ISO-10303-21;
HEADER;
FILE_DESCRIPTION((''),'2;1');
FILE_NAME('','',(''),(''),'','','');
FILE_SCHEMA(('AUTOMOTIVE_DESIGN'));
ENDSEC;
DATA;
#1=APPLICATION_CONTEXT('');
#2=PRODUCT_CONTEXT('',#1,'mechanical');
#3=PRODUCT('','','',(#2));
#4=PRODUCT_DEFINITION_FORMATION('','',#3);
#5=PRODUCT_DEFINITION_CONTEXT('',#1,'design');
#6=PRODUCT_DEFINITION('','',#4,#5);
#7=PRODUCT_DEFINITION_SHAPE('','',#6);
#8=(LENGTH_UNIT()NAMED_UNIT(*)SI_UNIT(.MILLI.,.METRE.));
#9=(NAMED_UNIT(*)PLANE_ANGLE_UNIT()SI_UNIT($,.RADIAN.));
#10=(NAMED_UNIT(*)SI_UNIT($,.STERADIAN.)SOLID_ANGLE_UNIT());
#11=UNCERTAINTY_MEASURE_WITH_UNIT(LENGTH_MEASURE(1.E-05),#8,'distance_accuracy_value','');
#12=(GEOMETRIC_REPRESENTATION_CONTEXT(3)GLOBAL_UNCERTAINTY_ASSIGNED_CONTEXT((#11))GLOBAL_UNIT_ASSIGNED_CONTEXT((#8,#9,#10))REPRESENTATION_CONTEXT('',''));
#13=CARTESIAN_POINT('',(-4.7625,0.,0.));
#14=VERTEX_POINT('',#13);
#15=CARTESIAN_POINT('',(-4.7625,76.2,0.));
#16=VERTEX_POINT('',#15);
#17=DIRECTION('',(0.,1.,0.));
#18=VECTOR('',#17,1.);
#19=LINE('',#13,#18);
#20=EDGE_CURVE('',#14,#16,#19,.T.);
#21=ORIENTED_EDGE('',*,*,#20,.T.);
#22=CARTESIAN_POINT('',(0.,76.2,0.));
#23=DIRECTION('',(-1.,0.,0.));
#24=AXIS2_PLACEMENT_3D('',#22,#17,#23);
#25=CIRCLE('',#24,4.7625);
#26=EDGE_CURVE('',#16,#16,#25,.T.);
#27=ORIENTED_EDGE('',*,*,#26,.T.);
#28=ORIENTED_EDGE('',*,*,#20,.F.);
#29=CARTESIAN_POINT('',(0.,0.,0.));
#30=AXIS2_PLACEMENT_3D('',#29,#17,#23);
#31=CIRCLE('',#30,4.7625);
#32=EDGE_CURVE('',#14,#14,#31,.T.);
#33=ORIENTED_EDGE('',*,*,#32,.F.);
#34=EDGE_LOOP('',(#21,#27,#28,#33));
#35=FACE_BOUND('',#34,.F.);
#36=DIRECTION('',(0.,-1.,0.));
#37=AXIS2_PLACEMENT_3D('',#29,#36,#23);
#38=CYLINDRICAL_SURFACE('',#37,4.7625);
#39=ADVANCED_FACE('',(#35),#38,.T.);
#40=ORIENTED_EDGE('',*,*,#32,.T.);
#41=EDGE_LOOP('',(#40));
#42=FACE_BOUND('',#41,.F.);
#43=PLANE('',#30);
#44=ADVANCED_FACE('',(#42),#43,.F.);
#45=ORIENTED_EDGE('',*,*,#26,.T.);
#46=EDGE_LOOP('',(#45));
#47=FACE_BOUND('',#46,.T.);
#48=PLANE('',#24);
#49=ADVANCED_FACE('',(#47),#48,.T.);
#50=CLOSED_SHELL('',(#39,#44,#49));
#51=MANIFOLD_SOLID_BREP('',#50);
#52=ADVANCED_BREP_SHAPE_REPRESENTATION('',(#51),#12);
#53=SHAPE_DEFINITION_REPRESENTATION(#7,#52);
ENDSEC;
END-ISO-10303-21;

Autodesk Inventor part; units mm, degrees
ref_plane "YZ Plane" through (0, 0, 0) normal (1, 0, 0) x (0, 1, 0)
ref_plane "XZ Plane" through (0, 0, 0) normal (0, 1, 0) x (-1, 0, 0)
ref_plane "XY Plane" through (0, 0, 0) normal (0, 0, 1) x (1, 0, 0)
sketch "Sketch1" plane through (0, 0, 0) normal (0, 1, 0) x (-1, 0, 0)
  circle A0 centre (0, 0) radius 4.7625
  dimension "d0" = 9.525
extrude "Extrusion1" add sketch "Sketch1" along normal blind 76.2
properties part number "3 inch bolt"
